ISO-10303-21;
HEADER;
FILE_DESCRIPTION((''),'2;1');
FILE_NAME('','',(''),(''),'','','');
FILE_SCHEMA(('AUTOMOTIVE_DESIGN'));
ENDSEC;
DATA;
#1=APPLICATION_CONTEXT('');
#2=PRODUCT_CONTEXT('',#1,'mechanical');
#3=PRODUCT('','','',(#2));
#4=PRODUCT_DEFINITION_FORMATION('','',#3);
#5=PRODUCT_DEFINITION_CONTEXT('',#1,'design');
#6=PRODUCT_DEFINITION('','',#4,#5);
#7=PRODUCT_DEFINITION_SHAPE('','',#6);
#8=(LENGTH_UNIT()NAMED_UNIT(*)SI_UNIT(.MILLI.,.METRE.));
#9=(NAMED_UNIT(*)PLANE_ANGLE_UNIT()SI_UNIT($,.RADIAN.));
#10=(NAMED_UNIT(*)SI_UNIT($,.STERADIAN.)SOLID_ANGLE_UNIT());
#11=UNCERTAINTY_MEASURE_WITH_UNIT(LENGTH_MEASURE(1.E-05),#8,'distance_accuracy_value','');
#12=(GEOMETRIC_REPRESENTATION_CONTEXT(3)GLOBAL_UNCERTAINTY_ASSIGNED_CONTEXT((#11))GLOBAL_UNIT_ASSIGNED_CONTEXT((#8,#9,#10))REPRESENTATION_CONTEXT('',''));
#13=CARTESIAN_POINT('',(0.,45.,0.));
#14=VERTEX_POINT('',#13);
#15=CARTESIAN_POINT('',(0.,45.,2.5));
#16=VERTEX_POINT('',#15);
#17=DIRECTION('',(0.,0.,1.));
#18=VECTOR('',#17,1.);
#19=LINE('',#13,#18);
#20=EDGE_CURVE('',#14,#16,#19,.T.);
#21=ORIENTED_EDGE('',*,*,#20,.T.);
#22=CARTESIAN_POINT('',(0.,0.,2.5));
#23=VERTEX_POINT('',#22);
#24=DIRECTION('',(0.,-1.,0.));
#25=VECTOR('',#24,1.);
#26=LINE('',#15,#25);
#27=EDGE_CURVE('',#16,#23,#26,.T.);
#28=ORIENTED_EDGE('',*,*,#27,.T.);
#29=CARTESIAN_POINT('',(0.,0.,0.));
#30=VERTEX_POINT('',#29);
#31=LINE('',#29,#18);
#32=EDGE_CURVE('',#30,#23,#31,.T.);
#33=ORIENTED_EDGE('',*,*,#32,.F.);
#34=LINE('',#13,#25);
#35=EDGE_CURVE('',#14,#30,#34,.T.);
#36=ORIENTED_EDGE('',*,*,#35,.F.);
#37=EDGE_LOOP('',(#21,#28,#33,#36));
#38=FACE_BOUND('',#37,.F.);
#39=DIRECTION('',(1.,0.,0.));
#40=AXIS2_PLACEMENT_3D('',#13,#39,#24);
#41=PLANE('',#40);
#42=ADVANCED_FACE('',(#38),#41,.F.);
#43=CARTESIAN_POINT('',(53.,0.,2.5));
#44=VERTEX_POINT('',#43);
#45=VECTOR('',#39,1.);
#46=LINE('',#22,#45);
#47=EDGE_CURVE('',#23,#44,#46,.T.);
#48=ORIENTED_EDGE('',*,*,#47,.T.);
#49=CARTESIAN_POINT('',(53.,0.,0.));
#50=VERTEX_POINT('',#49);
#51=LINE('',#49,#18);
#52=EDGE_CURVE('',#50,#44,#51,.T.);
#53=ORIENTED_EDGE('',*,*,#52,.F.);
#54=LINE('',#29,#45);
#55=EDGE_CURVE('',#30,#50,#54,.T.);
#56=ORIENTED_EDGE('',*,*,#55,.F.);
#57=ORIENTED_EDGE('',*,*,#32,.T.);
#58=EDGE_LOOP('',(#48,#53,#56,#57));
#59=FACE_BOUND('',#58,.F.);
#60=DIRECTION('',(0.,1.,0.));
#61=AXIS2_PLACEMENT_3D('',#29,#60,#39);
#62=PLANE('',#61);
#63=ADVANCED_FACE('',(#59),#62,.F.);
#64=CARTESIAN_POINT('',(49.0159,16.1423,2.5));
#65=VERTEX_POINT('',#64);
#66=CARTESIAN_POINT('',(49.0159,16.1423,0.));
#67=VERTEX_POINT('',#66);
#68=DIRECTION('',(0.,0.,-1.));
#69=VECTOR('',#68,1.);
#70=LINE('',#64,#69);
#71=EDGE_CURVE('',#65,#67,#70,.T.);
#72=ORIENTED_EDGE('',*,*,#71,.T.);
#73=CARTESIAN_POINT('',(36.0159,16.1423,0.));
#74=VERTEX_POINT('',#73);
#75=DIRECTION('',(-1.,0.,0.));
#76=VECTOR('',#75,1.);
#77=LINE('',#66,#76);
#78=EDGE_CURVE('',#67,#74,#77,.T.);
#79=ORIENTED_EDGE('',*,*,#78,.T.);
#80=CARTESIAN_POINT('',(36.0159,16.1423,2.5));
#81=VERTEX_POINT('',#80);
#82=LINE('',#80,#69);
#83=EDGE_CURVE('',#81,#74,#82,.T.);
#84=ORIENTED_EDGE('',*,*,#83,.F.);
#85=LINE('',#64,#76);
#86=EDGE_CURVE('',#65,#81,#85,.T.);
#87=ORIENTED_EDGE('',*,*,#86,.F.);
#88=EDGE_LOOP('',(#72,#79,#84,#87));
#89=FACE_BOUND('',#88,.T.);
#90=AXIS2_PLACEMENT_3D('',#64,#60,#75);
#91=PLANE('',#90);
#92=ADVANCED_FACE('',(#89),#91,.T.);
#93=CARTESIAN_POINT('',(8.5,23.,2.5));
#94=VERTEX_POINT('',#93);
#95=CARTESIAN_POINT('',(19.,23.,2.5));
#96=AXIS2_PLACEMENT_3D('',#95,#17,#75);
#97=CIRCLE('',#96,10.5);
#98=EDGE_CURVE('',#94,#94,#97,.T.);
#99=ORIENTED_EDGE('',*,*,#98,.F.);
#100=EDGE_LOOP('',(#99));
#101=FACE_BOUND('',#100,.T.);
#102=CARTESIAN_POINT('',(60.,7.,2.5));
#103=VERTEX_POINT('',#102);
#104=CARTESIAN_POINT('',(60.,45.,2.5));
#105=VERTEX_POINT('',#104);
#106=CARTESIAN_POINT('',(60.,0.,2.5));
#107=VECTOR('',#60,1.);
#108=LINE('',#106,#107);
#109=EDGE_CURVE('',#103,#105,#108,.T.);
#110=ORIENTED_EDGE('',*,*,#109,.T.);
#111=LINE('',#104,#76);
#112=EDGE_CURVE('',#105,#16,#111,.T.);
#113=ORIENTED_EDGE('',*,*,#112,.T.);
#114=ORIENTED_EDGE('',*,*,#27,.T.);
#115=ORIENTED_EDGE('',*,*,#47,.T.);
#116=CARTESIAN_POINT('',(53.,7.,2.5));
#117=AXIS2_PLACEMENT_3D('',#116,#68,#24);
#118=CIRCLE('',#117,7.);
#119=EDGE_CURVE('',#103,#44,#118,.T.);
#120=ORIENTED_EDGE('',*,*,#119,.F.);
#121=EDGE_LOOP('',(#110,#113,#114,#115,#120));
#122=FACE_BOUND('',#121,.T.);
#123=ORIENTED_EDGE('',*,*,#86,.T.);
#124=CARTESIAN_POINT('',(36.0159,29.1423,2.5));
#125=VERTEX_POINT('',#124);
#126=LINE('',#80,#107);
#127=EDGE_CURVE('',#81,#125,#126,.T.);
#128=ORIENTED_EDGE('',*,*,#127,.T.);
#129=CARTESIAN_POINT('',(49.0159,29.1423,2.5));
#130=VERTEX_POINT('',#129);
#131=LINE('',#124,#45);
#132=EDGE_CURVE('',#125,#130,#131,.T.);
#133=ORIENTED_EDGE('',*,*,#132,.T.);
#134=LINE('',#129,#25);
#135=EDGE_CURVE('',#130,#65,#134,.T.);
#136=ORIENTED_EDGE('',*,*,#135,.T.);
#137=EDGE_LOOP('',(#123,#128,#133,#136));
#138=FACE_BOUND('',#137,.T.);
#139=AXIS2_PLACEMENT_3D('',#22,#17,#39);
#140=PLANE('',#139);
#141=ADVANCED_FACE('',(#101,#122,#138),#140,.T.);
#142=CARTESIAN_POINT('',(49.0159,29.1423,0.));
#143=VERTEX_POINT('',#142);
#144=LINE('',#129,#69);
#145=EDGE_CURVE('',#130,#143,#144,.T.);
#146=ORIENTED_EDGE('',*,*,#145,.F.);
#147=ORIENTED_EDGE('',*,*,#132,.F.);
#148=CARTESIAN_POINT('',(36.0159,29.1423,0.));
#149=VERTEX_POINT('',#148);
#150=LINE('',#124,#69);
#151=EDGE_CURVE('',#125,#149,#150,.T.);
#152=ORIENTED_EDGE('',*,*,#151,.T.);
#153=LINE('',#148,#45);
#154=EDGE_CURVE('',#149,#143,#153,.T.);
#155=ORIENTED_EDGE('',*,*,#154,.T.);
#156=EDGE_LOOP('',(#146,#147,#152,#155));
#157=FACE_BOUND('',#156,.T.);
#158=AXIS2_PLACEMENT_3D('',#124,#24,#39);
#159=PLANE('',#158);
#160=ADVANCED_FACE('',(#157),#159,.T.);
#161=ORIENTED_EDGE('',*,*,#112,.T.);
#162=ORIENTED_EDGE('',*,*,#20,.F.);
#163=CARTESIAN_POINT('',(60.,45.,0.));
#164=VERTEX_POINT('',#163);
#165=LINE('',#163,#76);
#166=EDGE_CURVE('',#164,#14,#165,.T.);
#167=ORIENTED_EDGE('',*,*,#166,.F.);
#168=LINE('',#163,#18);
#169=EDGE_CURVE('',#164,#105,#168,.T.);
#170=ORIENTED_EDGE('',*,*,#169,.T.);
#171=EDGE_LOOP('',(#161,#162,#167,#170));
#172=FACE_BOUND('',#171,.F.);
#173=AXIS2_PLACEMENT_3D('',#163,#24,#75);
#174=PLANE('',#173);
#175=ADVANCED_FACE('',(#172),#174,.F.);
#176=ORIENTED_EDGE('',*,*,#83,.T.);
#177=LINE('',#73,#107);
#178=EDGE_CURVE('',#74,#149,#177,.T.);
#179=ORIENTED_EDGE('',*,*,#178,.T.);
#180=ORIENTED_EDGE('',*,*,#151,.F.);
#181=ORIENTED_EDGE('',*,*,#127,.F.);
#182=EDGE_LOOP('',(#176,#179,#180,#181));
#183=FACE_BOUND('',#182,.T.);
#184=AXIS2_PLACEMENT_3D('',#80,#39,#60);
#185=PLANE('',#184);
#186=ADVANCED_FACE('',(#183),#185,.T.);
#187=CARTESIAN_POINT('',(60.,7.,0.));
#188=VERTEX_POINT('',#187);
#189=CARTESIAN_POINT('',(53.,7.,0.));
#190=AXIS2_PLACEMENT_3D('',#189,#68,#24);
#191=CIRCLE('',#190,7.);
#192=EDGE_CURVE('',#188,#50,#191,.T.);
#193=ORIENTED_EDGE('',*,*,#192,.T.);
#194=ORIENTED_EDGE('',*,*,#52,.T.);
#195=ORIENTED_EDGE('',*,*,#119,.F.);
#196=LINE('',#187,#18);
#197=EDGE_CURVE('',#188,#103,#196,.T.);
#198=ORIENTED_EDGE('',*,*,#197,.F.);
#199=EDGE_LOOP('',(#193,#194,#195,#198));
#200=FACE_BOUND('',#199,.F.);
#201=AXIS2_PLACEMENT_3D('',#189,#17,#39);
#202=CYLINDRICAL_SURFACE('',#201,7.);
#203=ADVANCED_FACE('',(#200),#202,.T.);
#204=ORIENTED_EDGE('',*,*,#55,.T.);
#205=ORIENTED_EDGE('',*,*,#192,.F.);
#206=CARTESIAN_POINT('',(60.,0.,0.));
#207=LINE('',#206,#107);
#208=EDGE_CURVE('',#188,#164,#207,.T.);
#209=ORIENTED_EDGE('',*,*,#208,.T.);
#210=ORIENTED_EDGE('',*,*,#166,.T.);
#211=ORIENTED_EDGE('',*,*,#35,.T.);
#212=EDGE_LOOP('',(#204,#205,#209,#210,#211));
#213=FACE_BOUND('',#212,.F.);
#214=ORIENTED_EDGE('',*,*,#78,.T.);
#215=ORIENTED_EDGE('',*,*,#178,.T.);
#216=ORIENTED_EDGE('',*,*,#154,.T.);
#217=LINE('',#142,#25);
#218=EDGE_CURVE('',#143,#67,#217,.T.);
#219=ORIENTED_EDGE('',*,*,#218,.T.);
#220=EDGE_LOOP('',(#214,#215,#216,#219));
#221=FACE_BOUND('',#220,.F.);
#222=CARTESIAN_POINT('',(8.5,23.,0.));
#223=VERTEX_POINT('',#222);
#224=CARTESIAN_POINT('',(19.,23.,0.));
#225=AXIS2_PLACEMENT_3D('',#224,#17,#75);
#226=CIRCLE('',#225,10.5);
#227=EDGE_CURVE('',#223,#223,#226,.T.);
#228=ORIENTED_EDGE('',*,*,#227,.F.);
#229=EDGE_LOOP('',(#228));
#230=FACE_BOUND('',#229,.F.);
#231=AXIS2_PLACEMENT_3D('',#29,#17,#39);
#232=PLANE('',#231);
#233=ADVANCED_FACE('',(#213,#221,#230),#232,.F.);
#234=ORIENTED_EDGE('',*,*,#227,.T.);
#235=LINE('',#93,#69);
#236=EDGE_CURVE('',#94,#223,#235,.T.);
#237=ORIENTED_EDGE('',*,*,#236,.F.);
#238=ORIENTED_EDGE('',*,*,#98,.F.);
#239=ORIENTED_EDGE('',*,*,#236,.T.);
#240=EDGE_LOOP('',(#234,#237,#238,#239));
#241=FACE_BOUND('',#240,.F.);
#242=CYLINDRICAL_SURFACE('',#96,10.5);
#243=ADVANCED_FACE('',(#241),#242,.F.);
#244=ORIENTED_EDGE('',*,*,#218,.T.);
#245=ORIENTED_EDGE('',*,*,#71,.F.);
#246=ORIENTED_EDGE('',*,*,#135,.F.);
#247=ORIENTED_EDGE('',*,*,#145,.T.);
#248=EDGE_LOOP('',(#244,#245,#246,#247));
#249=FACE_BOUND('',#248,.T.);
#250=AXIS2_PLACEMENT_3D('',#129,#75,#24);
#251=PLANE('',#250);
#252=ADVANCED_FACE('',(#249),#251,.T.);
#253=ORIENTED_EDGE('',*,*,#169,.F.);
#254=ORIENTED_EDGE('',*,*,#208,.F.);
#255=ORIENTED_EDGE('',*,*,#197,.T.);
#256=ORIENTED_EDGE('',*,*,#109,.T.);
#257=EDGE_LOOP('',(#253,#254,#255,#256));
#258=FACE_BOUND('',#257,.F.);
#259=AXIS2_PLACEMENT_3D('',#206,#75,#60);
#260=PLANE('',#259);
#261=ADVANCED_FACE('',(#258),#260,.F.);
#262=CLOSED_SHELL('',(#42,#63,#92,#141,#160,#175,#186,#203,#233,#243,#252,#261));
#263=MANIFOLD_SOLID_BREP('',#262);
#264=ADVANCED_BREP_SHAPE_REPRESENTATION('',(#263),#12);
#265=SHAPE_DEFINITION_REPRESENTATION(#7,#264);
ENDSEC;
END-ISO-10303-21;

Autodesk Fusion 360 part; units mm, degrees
sketch "Esquisse1" plane through (0, 0, 0) normal (0, 0, 1) x (1, 0, 0)
  line L0 (0, 0) -> (60, 0)
  line L1 (60, 0) -> (60, 45)
  line L2 (60, 45) -> (0, 45)
  line L3 (0, 45) -> (0, 0)
  dimension "d1" = 60
  dimension "d2" = 45
extrude "Extrusion1" add sketch "Esquisse1" along normal blind 2.5
fillet "Congé1" radius 7 1 edges at (60, 0, 1.25)
sketch "Esquisse2" plane through (0, 0, 2.5) normal (0, 0, 1) x (-1, 0, 0)
  arc A0 (-53, 0) -> (-60, -7) centre (-53, -7) ccw
  line L0 (-60, -7) -> (-60, -45)
  line L1 (-60, -45) -> (0, -45)
  line L2 (0, -45) -> (0, 0)
  line L3 (0, 0) -> (-53, 0)
  line L4 (-36.0159, -29.1423) -> (-49.0159, -29.1423)
  line L5 (-49.0159, -29.1423) -> (-49.0159, -16.1423)
  line L6 (-49.0159, -16.1423) -> (-36.0159, -16.1423)
  line L7 (-36.0159, -16.1423) -> (-36.0159, -29.1423)
  dimension "d7" = 13
  dimension "d8" = 13
extrude "Extrusion2" cut sketch "Esquisse2" against normal blind 2.5 contours L4 L5 L6 L7
sketch "Esquisse3" plane through (0, 0, 2.5) normal (0, 0, 1) x (-1, 0, 0)
  line L0 (-49.0159, -29.1423) -> (-49.0159, -16.1423)
  line L1 (-49.0159, -16.1423) -> (-36.0159, -16.1423)
  line L2 (-36.0159, -16.1423) -> (-36.0159, -29.1423)
  line L3 (-36.0159, -29.1423) -> (-49.0159, -29.1423)
  arc A0 (-53, 0) -> (-60, -7) centre (-53, -7) ccw
  line L4 (-60, -7) -> (-60, -45)
  line L5 (-60, -45) -> (0, -45)
  line L6 (0, -45) -> (0, 0)
  line L7 (0, 0) -> (-53, 0)
  circle A1 centre (-19, -23) radius 10.5
  dimension "d11" = 21
extrude "Extrusion3" cut sketch "Esquisse3" against normal blind 2.5 contours A1
